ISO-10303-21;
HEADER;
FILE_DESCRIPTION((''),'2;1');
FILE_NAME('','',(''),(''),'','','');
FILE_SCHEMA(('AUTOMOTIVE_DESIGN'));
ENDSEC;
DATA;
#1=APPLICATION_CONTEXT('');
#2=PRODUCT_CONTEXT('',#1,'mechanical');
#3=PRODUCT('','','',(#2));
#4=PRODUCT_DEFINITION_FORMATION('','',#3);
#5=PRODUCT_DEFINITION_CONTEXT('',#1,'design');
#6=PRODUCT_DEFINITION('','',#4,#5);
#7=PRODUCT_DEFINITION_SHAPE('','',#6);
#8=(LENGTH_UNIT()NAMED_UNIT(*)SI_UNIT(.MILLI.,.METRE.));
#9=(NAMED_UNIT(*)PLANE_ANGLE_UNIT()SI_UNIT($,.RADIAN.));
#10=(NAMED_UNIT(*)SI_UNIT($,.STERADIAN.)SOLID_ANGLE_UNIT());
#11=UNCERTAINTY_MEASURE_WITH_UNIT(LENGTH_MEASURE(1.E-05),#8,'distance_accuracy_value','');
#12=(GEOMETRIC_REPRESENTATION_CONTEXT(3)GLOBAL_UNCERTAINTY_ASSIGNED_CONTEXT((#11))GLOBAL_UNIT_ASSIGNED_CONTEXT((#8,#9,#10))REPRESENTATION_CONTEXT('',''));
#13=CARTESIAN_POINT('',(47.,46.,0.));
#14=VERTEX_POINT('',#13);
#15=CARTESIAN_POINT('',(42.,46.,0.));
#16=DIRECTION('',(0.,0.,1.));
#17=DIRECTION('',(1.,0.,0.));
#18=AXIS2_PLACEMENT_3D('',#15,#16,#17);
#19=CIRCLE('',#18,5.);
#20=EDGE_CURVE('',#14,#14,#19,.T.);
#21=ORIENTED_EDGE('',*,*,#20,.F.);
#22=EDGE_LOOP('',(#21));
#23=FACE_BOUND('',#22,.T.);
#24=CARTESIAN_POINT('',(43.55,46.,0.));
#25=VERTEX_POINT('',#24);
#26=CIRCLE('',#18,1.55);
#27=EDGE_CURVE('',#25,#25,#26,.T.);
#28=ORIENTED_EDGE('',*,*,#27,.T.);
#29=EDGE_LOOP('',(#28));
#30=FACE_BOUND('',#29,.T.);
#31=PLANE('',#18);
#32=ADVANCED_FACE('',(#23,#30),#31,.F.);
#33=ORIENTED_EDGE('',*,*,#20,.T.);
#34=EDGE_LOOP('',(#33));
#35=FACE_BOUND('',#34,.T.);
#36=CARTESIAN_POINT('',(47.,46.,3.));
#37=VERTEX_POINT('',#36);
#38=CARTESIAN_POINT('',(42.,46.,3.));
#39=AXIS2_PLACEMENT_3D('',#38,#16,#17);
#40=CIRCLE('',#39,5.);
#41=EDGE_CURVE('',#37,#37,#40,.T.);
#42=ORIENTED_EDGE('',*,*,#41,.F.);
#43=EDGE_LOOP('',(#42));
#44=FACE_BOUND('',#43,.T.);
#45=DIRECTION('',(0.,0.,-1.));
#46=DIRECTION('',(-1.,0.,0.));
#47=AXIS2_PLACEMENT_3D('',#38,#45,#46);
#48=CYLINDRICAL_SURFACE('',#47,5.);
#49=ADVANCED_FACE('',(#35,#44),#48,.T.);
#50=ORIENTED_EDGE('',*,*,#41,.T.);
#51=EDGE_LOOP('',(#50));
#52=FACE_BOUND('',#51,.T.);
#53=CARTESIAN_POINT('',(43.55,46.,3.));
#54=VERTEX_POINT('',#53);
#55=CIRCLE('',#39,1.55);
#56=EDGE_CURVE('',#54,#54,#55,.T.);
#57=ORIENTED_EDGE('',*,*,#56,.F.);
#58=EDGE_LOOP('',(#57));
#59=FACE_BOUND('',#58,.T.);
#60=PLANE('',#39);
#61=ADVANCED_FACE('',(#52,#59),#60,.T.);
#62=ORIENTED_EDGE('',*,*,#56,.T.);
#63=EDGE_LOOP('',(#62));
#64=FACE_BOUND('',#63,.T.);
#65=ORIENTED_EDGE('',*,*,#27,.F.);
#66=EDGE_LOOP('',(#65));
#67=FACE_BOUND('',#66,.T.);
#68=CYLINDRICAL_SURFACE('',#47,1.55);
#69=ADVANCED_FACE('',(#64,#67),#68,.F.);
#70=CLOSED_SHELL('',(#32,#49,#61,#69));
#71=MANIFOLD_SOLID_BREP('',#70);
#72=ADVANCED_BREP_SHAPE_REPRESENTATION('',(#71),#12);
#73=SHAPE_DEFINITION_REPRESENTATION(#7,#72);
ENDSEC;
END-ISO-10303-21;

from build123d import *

# Parameters (mm, degrees)
MODEL_R             = 5.000000001
MODEL_R_2           = 1.55
BOSS_EXTRUDE1_DEPTH = 3


with BuildPart() as part:
    # Model → Boss-Extrude1 (new body)
    with BuildSketch(Plane.XY):
        with Locations((41.999999999, 46)):
            Circle(MODEL_R)
        with Locations((41.999999999, 46)):
            Circle(MODEL_R_2, mode=Mode.SUBTRACT)
    extrude(amount=BOSS_EXTRUDE1_DEPTH)


solid = part.part
